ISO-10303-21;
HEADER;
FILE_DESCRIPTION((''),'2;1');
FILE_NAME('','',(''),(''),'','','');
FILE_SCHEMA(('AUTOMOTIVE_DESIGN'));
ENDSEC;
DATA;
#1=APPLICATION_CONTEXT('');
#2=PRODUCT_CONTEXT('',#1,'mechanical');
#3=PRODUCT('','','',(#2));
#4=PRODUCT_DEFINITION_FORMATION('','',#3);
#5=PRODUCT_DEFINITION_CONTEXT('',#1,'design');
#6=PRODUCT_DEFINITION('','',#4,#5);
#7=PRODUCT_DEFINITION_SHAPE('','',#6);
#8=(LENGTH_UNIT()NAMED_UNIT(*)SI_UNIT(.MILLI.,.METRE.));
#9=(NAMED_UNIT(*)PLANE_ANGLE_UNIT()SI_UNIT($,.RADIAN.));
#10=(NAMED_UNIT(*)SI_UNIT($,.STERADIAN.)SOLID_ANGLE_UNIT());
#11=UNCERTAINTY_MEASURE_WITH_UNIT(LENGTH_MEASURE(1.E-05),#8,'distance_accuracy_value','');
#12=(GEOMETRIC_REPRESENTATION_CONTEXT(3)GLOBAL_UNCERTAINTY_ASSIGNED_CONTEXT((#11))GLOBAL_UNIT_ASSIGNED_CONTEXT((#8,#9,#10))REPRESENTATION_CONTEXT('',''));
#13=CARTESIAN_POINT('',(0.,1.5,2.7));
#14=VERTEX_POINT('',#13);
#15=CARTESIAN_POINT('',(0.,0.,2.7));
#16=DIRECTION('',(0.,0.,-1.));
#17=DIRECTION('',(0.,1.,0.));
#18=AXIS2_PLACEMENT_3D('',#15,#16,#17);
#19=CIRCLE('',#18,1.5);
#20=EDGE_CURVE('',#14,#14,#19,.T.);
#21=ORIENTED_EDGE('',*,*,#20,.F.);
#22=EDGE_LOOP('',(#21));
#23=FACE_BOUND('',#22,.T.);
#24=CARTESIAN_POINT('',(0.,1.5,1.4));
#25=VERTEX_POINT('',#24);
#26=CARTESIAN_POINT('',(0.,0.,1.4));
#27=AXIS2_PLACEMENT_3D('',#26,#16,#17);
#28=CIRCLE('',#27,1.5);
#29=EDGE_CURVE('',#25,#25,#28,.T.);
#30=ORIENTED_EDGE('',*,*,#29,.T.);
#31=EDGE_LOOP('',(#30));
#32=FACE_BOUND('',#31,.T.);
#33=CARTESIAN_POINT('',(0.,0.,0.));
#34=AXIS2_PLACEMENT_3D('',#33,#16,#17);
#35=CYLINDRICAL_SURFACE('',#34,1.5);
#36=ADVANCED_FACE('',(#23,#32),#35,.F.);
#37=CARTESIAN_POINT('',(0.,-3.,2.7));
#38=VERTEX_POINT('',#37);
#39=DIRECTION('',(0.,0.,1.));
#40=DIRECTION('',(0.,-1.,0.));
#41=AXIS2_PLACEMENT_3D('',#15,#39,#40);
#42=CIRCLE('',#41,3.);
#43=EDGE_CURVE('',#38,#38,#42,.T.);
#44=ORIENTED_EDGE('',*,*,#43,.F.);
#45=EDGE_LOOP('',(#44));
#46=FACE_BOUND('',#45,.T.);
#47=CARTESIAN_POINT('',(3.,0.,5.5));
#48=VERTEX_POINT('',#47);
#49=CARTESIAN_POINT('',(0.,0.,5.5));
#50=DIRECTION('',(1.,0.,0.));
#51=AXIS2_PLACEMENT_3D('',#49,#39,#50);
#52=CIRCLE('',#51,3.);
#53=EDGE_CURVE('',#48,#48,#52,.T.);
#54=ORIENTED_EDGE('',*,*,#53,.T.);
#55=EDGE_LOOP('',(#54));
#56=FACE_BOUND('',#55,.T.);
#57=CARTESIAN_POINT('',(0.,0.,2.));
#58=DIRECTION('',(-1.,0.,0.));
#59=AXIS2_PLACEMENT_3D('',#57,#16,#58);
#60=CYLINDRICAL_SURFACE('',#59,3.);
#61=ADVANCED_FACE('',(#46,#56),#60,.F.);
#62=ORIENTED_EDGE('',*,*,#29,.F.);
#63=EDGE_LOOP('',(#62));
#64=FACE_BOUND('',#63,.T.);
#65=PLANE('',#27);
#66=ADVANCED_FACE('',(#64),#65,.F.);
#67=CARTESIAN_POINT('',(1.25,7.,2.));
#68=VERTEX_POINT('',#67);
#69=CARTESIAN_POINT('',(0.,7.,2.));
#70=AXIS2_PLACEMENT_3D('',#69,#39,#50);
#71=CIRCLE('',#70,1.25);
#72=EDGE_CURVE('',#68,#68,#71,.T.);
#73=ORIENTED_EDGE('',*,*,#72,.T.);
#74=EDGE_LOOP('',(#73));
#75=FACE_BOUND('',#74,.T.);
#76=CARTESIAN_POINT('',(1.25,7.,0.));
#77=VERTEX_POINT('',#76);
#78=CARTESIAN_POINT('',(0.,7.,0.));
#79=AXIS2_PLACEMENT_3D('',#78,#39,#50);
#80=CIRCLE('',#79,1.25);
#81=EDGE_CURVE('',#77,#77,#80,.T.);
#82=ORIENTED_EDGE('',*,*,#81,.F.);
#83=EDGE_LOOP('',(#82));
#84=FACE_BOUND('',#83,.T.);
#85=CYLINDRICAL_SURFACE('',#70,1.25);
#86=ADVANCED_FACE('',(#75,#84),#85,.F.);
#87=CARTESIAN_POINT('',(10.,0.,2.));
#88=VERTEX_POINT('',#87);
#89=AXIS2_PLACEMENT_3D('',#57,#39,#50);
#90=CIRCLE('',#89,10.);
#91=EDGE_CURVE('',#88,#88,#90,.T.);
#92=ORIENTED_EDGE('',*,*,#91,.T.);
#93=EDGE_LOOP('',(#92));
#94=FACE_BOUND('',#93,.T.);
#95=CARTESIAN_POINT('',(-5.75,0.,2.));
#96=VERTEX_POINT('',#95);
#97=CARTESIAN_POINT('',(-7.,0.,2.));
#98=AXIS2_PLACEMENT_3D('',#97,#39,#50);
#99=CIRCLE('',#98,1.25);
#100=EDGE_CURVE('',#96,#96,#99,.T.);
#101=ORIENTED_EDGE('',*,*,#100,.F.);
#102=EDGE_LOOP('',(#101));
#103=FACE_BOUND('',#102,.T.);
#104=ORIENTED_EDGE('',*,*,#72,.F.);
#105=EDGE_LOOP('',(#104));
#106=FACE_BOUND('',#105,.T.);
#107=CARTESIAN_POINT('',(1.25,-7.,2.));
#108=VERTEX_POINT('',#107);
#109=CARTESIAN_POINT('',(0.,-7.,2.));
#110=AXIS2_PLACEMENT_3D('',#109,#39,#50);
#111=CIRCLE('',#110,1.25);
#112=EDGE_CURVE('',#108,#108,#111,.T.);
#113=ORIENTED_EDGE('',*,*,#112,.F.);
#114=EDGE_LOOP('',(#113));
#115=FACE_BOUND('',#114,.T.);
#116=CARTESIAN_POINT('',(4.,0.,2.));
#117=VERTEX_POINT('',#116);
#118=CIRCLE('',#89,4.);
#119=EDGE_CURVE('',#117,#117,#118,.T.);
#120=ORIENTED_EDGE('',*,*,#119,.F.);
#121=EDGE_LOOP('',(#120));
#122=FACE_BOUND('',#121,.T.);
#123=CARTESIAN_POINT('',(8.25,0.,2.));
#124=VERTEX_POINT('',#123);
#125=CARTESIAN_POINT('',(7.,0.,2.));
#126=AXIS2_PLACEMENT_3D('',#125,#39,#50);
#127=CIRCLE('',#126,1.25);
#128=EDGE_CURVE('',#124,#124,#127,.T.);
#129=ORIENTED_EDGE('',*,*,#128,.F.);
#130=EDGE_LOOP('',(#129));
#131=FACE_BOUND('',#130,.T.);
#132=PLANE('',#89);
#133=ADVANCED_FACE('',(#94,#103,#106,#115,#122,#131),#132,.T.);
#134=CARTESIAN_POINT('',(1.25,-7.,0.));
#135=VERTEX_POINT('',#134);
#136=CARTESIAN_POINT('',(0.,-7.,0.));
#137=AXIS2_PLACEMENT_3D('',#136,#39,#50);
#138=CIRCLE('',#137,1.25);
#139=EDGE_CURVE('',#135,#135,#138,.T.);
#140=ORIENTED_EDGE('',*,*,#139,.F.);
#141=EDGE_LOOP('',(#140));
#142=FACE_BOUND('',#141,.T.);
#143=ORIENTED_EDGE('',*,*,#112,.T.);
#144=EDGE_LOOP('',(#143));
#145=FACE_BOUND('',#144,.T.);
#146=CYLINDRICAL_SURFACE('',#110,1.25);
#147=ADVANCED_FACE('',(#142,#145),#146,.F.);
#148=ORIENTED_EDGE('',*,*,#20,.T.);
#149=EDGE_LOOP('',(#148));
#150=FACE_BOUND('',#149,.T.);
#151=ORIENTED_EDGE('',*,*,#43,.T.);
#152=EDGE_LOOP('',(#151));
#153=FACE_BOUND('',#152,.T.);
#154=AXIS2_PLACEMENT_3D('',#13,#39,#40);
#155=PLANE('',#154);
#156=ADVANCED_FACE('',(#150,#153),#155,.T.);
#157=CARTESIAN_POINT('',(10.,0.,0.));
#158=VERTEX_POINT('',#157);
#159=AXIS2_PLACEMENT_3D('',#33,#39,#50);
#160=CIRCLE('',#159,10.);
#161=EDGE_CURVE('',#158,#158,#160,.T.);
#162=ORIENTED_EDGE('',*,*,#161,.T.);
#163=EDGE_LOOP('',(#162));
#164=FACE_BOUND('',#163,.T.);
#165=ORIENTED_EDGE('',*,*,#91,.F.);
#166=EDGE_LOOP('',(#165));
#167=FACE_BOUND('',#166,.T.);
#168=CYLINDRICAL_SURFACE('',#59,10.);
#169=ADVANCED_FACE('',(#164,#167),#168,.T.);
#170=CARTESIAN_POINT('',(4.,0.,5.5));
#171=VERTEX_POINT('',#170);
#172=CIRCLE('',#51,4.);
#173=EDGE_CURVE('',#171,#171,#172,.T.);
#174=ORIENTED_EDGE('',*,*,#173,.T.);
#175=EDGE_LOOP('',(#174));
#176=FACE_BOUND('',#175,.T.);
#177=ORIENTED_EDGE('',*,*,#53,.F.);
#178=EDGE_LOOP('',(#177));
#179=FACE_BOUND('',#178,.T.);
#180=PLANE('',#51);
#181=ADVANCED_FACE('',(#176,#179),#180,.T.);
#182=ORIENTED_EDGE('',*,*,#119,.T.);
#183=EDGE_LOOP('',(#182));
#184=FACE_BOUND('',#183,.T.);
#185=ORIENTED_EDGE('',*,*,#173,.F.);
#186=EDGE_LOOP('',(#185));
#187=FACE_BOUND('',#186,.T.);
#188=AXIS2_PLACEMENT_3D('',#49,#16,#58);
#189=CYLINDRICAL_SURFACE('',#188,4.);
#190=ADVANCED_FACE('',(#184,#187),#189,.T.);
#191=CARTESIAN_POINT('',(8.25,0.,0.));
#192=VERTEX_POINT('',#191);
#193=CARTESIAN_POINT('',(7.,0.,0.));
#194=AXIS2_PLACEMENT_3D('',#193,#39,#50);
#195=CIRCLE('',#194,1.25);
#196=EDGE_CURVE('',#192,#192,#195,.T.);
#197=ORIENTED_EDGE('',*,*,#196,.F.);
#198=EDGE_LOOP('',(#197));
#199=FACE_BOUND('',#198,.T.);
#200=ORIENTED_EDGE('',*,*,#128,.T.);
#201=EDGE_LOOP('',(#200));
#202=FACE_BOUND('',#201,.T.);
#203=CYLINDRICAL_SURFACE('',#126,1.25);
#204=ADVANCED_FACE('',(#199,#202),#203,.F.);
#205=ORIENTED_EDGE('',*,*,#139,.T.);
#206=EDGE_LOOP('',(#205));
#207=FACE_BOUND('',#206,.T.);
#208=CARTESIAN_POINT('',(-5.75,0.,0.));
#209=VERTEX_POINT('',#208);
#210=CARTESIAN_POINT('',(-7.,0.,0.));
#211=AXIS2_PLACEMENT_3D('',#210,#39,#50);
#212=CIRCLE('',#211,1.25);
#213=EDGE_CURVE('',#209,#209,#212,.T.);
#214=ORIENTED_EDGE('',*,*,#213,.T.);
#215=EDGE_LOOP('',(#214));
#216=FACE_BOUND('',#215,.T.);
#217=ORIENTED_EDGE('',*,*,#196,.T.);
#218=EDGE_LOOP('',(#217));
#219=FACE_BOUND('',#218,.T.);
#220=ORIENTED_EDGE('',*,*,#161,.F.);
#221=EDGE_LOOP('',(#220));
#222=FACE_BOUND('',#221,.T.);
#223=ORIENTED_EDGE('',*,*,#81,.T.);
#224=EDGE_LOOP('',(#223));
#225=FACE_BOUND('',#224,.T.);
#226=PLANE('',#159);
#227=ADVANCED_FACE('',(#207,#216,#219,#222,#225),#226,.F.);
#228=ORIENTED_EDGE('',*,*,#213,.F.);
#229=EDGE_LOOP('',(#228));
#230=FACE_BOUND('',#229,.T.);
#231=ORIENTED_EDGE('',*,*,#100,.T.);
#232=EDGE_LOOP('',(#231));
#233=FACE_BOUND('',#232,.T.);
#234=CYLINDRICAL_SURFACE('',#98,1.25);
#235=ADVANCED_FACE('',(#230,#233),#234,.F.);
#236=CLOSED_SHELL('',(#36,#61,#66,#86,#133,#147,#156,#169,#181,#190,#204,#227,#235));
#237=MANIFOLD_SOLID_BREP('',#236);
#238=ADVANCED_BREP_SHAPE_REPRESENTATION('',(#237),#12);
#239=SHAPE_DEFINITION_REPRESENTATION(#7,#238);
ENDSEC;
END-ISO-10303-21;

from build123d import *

# Parameters (mm, degrees)
SKETCH_1_R         = 10
SKETCH_1_R_2       = 3
EXTRUDE_1_DEPTH    = 2
SKETCH_2_R         = 4
SKETCH_2_R_2       = 3
EXTRUDE_1_2_DEPTH  = 3.5
HOLE_WIZARD_M3_1_D = 2.5
SKETCH_6_W         = 1.3
SKETCH_6_H         = 1.5
EXTRUDE_START      = 1.4
SKETCH_7_R         = 3
EXTRUDE_2_DEPTH    = 1.4


with BuildPart() as part:
    # 草图1 → Extrude 1 (new body)
    with BuildSketch(Plane.XY):
        Circle(SKETCH_1_R)
        Circle(SKETCH_1_R_2, mode=Mode.SUBTRACT)
    extrude(amount=EXTRUDE_1_DEPTH)

    # 草图2 → Extrude 1 2 (add)
    with BuildSketch(Plane.XY.offset(2)):
        Circle(SKETCH_2_R)
        Circle(SKETCH_2_R_2, mode=Mode.SUBTRACT)
    extrude(amount=EXTRUDE_1_2_DEPTH)

    # M3 螺纹孔1 (through all)
    with Locations(Plane(origin=(-7, 0, 2), x_dir=(1, 0, 0), z_dir=(0, 0, 1))):
        with Locations((0, 0), (7, 7), (14, 0), (7, -7)):
            Hole(HOLE_WIZARD_M3_1_D / 2)

    # 草图6 → 旋转1 (revolve)
    with BuildSketch(Plane(origin=(0, 0, 0), x_dir=(0, 0, -1), z_dir=(1, 0, 0))):
        with Locations((-2.05, 2.25)):
            Rectangle(SKETCH_6_W, SKETCH_6_H)
    revolve(axis=Axis((0, 0, 0), (0, 0, 1)))

    # 草图7 → 凸台-拉伸2 (add)
    with BuildSketch(Plane(origin=(0, 0, 1.4), x_dir=(-1, 0, 0), z_dir=(0, 0, -1)).offset(EXTRUDE_START)):
        with Locations(Location((0, 0, 0), (0, 0, 270))):
            Circle(SKETCH_7_R)
    extrude(amount=-EXTRUDE_2_DEPTH)


solid = part.part
